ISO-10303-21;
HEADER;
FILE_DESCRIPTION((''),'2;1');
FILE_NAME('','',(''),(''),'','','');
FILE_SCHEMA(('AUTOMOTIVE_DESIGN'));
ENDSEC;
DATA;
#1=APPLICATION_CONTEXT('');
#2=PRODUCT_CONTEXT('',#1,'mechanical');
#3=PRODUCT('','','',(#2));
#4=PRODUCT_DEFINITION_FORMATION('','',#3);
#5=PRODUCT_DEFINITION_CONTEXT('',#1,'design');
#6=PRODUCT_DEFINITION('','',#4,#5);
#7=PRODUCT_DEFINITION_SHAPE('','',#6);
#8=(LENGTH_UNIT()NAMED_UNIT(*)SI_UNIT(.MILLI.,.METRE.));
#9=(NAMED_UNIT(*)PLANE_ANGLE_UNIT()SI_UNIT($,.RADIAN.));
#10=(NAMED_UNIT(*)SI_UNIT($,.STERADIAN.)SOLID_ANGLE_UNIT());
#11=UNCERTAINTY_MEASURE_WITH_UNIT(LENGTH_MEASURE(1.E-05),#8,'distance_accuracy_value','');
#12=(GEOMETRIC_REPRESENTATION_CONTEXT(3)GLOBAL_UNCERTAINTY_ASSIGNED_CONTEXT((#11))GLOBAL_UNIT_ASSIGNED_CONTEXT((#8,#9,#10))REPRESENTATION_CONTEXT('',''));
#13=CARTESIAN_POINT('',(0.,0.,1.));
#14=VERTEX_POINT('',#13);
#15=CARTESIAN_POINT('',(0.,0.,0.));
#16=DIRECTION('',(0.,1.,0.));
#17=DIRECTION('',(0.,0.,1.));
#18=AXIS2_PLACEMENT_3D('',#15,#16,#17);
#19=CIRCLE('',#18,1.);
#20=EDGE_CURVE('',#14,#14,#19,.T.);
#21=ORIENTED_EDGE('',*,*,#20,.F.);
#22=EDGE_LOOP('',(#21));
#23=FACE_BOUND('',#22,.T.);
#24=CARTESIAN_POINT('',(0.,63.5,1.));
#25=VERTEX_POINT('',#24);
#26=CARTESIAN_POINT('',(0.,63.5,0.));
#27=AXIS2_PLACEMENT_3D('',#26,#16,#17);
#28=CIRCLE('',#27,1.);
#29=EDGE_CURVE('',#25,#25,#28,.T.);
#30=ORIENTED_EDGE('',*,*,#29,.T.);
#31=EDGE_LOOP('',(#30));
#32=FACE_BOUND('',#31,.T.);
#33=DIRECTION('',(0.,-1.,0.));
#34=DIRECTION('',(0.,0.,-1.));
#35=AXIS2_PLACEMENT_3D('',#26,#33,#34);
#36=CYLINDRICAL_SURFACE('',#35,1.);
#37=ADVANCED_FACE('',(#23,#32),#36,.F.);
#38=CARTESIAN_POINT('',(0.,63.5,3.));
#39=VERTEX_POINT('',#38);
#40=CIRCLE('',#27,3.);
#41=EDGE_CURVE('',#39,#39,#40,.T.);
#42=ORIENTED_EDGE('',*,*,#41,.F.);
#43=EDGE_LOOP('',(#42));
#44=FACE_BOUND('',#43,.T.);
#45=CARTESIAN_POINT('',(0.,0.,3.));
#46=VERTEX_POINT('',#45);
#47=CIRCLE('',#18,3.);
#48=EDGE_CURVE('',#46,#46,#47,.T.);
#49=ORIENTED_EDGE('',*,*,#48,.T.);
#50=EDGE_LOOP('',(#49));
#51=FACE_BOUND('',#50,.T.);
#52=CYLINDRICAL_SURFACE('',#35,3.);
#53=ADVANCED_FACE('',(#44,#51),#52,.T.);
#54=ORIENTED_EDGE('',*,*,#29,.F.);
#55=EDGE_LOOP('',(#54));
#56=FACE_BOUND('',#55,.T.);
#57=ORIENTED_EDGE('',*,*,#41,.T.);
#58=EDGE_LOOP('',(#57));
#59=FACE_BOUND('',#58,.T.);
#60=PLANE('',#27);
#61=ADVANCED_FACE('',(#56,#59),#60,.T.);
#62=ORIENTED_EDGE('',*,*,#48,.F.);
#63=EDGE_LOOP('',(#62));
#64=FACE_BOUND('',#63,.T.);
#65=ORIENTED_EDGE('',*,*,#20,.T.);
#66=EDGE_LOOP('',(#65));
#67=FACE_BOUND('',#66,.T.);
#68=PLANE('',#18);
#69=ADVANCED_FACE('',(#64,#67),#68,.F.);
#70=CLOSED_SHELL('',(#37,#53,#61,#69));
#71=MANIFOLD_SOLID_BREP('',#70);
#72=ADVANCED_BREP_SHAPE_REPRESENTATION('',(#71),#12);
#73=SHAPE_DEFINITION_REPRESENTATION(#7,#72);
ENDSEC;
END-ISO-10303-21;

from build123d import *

# Parameters (mm, degrees)
SKETCH_1_R      = 3
SKETCH_1_R_2    = 1
EXTRUDE_1_DEPTH = 63.5


with BuildPart() as part:
    # 草图1 → 凸台-拉伸1 (new body)
    with BuildSketch(Plane(origin=(0, 0, 0), x_dir=(1, 0, 0), z_dir=(0, 1, 0))):
        Circle(SKETCH_1_R)
        Circle(SKETCH_1_R_2, mode=Mode.SUBTRACT)
    extrude(amount=EXTRUDE_1_DEPTH)


solid = part.part
